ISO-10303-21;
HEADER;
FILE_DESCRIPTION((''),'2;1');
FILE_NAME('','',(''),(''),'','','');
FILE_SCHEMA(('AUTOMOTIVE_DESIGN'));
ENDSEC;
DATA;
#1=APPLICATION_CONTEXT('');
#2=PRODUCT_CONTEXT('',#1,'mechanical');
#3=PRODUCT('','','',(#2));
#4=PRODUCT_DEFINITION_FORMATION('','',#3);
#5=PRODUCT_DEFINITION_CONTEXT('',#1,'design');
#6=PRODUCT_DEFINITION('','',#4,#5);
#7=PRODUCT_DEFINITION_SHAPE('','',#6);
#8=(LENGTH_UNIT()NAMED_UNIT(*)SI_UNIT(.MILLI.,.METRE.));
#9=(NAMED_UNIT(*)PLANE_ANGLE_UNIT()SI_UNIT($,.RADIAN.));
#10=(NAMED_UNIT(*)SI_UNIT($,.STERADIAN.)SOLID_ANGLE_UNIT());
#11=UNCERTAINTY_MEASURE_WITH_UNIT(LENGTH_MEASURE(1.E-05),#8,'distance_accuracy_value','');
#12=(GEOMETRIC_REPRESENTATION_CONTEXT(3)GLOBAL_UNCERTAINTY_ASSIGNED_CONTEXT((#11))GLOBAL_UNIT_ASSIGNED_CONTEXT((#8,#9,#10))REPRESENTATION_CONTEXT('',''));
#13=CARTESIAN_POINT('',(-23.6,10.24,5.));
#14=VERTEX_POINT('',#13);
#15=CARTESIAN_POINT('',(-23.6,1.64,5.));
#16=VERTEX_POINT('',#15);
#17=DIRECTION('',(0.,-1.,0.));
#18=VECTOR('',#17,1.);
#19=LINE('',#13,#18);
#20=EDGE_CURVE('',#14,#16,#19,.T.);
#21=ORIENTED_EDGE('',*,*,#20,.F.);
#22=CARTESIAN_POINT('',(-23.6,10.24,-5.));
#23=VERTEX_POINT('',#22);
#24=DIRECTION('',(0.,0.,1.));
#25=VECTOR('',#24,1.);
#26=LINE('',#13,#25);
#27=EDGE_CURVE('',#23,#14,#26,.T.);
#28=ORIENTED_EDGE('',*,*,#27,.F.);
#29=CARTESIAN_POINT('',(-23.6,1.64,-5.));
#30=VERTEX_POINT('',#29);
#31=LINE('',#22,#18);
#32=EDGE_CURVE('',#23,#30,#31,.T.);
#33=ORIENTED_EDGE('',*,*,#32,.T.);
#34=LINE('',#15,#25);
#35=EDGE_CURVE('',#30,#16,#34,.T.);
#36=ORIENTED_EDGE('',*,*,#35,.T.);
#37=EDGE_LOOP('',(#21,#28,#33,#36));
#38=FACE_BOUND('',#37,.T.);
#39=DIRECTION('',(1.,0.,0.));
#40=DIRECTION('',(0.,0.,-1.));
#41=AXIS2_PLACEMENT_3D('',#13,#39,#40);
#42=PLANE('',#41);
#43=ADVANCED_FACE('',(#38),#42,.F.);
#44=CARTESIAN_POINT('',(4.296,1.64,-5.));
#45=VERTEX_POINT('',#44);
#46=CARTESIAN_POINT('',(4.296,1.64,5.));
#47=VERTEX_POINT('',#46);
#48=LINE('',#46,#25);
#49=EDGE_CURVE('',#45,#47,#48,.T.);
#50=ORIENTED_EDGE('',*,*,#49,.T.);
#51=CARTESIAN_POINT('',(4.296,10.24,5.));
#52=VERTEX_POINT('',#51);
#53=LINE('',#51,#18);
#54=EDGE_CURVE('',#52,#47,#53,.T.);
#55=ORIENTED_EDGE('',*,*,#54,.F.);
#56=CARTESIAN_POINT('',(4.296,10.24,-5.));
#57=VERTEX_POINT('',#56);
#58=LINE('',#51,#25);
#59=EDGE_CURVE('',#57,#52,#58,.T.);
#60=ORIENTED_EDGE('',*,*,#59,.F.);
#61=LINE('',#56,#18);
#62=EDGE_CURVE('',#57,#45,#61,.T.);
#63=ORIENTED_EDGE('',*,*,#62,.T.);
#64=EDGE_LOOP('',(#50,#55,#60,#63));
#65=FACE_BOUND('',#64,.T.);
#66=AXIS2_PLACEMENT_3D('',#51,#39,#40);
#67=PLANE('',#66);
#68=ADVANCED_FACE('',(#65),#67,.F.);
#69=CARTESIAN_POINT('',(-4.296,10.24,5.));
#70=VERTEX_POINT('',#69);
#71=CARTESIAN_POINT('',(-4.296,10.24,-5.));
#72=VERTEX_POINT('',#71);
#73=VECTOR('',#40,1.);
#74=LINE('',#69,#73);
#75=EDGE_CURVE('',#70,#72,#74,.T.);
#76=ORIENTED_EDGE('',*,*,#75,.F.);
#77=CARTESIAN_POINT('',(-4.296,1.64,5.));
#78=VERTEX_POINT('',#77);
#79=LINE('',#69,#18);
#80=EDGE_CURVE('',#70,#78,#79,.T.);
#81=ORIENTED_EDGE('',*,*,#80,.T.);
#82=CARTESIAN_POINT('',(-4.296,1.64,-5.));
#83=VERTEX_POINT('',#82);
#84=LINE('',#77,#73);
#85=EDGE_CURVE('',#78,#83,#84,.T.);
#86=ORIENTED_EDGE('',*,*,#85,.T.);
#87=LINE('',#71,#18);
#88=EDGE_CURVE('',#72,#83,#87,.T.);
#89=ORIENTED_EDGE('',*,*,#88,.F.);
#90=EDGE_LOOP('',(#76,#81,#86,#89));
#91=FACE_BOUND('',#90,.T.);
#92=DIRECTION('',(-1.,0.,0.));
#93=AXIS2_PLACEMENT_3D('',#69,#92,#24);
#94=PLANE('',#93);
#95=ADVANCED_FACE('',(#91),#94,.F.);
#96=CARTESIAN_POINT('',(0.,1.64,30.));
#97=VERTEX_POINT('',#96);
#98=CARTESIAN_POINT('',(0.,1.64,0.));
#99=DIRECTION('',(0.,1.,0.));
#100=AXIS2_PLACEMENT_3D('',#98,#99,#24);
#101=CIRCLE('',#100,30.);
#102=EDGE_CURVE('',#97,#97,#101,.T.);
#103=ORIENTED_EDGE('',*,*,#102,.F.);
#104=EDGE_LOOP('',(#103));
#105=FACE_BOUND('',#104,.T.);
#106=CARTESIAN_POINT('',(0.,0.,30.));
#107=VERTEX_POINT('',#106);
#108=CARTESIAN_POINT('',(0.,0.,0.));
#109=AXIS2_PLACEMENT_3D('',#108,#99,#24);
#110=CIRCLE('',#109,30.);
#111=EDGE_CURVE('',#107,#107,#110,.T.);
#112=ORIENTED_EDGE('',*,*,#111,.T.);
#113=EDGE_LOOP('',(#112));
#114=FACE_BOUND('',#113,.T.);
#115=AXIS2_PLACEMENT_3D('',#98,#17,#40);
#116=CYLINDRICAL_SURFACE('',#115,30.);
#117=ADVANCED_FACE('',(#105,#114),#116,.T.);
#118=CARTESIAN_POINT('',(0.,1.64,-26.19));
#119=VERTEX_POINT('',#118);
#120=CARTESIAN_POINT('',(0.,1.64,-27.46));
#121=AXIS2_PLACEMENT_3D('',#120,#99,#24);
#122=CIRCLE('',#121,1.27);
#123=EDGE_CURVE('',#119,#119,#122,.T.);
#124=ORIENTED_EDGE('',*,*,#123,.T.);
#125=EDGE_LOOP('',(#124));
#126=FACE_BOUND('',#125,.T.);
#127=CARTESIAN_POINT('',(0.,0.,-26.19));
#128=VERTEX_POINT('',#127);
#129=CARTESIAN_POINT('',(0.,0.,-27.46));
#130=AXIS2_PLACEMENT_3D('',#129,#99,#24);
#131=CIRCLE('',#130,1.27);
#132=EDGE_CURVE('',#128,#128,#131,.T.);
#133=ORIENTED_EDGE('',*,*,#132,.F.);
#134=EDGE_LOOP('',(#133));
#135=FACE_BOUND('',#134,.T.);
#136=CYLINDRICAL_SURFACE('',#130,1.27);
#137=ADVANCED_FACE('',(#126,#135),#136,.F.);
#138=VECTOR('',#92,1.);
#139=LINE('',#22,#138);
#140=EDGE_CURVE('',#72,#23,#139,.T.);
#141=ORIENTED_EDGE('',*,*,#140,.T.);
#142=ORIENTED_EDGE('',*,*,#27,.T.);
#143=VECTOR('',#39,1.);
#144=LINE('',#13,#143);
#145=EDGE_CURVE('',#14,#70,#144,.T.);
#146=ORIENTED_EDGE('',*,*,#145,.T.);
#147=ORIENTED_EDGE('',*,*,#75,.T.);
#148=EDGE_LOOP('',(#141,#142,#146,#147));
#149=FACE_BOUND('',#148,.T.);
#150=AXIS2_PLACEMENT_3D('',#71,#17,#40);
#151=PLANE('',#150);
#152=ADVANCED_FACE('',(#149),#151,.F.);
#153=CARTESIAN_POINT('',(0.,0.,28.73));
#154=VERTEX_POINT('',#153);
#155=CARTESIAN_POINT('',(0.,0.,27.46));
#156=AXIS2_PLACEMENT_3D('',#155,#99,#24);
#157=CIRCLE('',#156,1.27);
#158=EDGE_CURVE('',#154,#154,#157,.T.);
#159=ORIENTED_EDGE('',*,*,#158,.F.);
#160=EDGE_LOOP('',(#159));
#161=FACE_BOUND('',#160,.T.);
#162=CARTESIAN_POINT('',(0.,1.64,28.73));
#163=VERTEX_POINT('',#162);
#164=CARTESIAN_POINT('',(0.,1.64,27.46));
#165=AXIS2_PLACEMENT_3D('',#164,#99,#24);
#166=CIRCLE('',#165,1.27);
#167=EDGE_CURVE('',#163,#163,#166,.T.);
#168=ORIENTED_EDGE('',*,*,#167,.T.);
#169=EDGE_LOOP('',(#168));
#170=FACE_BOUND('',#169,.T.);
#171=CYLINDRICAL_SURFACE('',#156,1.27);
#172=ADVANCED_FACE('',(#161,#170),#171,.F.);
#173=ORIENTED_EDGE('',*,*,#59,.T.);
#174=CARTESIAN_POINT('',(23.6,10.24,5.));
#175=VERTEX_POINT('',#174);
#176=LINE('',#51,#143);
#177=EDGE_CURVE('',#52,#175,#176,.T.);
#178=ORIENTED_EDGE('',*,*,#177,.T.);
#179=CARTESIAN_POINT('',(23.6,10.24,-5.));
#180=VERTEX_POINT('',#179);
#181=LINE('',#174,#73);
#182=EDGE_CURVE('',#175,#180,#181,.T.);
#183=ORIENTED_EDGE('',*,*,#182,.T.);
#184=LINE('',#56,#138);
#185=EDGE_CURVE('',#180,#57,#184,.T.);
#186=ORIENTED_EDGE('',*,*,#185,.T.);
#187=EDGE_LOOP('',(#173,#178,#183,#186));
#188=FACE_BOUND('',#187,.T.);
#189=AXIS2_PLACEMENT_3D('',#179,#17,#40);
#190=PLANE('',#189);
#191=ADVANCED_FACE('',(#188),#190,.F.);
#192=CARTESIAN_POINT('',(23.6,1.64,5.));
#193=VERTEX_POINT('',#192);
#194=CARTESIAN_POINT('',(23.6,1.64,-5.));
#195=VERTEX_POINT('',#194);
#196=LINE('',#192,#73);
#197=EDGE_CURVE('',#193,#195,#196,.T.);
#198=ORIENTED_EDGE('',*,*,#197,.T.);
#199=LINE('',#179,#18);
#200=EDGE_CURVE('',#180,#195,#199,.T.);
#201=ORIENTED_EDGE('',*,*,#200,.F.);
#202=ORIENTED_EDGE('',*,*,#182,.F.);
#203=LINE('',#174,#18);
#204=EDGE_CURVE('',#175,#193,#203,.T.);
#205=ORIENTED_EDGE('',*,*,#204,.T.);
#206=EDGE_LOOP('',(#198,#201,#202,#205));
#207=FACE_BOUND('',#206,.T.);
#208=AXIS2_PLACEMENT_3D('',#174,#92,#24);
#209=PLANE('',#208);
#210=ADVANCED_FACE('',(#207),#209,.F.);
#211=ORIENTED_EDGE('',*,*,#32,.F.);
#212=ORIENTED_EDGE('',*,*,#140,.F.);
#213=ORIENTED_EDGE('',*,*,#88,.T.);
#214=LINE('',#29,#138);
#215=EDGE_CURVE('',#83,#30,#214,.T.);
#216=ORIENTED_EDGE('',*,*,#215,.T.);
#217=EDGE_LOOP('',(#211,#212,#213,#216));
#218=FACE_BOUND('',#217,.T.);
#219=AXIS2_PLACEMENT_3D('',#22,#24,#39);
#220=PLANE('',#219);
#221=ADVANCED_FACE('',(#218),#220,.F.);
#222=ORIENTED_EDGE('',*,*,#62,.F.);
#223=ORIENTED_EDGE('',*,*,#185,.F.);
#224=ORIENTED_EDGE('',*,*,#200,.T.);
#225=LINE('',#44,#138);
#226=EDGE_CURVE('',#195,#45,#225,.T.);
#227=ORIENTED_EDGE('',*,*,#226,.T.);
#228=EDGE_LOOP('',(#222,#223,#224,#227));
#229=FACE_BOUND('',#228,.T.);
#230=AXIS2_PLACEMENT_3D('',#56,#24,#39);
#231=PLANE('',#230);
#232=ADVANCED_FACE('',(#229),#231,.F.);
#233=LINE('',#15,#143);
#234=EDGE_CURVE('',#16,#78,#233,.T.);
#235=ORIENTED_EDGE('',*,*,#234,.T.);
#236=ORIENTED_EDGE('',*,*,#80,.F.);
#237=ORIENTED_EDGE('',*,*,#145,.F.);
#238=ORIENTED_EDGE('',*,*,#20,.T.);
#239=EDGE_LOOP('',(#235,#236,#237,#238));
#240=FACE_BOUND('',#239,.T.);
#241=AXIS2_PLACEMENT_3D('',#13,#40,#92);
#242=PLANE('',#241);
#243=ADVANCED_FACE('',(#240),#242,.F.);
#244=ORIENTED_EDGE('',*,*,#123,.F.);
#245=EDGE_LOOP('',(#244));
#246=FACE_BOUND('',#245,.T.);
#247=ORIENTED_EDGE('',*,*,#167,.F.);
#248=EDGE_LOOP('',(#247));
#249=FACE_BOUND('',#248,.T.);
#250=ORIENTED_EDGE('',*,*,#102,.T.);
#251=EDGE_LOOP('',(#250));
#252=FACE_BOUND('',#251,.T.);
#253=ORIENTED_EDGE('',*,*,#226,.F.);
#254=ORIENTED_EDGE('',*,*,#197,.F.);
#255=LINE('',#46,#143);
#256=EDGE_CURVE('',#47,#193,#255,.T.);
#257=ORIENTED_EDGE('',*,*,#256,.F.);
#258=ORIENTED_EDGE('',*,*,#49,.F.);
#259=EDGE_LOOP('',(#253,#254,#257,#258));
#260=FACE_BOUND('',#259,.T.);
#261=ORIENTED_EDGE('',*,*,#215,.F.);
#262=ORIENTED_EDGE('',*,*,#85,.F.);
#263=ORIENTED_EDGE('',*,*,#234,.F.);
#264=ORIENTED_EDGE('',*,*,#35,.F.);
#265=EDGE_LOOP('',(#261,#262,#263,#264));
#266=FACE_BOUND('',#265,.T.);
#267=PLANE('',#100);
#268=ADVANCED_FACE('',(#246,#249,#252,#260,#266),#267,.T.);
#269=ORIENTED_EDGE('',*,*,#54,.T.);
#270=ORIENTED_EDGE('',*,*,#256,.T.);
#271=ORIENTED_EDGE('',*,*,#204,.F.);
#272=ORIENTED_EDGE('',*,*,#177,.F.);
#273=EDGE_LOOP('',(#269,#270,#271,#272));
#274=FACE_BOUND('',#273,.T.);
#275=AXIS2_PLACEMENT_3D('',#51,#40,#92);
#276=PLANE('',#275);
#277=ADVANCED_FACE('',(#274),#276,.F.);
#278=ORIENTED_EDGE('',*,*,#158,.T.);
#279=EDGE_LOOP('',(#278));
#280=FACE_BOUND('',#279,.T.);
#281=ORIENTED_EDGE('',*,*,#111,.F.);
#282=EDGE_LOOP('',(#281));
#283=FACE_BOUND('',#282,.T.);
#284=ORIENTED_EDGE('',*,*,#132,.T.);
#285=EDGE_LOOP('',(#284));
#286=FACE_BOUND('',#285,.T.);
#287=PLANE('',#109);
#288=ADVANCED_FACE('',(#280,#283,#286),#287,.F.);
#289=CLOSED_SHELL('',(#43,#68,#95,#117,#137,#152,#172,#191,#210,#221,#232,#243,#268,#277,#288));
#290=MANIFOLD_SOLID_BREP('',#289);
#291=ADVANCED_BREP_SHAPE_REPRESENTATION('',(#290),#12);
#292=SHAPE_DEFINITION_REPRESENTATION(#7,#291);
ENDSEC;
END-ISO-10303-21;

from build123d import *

# Parameters (mm, degrees)
SKETCH1_R           = 30
BOSS_EXTRUDE1_DEPTH = 1.64
SKETCH2_R           = 1.27
CUT_EXTRUDE1_DEPTH  = 2.64
SKETCH3_W           = 19.304
SKETCH3_H           = 10
BOSS_EXTRUDE2_DEPTH = 8.6


with BuildPart() as part:
    # Sketch1 → Boss-Extrude1 (new body)
    with BuildSketch(Plane(origin=(0, 0, 0), x_dir=(1, 0, 0), z_dir=(0, 1, 0))):
        Circle(SKETCH1_R)
    extrude(amount=BOSS_EXTRUDE1_DEPTH)

    # Sketch2 → Cut-Extrude1 (cut, through all)
    with BuildSketch(Plane(origin=(0, 1.64, 0), x_dir=(1, 0, 0), z_dir=(0, 1, 0))):
        with Locations((0, 27.46)):
            Circle(SKETCH2_R)
        with Locations((0, -27.46)):
            Circle(SKETCH2_R)
    extrude(amount=-CUT_EXTRUDE1_DEPTH, mode=Mode.SUBTRACT)

    # Sketch3 → Boss-Extrude2 (add)
    with BuildSketch(Plane(origin=(0, 1.64, 0), x_dir=(1, 0, 0), z_dir=(0, 1, 0))):
        with Locations((-13.948, 0)):
            Rectangle(SKETCH3_W, SKETCH3_H)
        with Locations((13.948, 0)):
            Rectangle(SKETCH3_W, SKETCH3_H)
    extrude(amount=BOSS_EXTRUDE2_DEPTH)


solid = part.part
